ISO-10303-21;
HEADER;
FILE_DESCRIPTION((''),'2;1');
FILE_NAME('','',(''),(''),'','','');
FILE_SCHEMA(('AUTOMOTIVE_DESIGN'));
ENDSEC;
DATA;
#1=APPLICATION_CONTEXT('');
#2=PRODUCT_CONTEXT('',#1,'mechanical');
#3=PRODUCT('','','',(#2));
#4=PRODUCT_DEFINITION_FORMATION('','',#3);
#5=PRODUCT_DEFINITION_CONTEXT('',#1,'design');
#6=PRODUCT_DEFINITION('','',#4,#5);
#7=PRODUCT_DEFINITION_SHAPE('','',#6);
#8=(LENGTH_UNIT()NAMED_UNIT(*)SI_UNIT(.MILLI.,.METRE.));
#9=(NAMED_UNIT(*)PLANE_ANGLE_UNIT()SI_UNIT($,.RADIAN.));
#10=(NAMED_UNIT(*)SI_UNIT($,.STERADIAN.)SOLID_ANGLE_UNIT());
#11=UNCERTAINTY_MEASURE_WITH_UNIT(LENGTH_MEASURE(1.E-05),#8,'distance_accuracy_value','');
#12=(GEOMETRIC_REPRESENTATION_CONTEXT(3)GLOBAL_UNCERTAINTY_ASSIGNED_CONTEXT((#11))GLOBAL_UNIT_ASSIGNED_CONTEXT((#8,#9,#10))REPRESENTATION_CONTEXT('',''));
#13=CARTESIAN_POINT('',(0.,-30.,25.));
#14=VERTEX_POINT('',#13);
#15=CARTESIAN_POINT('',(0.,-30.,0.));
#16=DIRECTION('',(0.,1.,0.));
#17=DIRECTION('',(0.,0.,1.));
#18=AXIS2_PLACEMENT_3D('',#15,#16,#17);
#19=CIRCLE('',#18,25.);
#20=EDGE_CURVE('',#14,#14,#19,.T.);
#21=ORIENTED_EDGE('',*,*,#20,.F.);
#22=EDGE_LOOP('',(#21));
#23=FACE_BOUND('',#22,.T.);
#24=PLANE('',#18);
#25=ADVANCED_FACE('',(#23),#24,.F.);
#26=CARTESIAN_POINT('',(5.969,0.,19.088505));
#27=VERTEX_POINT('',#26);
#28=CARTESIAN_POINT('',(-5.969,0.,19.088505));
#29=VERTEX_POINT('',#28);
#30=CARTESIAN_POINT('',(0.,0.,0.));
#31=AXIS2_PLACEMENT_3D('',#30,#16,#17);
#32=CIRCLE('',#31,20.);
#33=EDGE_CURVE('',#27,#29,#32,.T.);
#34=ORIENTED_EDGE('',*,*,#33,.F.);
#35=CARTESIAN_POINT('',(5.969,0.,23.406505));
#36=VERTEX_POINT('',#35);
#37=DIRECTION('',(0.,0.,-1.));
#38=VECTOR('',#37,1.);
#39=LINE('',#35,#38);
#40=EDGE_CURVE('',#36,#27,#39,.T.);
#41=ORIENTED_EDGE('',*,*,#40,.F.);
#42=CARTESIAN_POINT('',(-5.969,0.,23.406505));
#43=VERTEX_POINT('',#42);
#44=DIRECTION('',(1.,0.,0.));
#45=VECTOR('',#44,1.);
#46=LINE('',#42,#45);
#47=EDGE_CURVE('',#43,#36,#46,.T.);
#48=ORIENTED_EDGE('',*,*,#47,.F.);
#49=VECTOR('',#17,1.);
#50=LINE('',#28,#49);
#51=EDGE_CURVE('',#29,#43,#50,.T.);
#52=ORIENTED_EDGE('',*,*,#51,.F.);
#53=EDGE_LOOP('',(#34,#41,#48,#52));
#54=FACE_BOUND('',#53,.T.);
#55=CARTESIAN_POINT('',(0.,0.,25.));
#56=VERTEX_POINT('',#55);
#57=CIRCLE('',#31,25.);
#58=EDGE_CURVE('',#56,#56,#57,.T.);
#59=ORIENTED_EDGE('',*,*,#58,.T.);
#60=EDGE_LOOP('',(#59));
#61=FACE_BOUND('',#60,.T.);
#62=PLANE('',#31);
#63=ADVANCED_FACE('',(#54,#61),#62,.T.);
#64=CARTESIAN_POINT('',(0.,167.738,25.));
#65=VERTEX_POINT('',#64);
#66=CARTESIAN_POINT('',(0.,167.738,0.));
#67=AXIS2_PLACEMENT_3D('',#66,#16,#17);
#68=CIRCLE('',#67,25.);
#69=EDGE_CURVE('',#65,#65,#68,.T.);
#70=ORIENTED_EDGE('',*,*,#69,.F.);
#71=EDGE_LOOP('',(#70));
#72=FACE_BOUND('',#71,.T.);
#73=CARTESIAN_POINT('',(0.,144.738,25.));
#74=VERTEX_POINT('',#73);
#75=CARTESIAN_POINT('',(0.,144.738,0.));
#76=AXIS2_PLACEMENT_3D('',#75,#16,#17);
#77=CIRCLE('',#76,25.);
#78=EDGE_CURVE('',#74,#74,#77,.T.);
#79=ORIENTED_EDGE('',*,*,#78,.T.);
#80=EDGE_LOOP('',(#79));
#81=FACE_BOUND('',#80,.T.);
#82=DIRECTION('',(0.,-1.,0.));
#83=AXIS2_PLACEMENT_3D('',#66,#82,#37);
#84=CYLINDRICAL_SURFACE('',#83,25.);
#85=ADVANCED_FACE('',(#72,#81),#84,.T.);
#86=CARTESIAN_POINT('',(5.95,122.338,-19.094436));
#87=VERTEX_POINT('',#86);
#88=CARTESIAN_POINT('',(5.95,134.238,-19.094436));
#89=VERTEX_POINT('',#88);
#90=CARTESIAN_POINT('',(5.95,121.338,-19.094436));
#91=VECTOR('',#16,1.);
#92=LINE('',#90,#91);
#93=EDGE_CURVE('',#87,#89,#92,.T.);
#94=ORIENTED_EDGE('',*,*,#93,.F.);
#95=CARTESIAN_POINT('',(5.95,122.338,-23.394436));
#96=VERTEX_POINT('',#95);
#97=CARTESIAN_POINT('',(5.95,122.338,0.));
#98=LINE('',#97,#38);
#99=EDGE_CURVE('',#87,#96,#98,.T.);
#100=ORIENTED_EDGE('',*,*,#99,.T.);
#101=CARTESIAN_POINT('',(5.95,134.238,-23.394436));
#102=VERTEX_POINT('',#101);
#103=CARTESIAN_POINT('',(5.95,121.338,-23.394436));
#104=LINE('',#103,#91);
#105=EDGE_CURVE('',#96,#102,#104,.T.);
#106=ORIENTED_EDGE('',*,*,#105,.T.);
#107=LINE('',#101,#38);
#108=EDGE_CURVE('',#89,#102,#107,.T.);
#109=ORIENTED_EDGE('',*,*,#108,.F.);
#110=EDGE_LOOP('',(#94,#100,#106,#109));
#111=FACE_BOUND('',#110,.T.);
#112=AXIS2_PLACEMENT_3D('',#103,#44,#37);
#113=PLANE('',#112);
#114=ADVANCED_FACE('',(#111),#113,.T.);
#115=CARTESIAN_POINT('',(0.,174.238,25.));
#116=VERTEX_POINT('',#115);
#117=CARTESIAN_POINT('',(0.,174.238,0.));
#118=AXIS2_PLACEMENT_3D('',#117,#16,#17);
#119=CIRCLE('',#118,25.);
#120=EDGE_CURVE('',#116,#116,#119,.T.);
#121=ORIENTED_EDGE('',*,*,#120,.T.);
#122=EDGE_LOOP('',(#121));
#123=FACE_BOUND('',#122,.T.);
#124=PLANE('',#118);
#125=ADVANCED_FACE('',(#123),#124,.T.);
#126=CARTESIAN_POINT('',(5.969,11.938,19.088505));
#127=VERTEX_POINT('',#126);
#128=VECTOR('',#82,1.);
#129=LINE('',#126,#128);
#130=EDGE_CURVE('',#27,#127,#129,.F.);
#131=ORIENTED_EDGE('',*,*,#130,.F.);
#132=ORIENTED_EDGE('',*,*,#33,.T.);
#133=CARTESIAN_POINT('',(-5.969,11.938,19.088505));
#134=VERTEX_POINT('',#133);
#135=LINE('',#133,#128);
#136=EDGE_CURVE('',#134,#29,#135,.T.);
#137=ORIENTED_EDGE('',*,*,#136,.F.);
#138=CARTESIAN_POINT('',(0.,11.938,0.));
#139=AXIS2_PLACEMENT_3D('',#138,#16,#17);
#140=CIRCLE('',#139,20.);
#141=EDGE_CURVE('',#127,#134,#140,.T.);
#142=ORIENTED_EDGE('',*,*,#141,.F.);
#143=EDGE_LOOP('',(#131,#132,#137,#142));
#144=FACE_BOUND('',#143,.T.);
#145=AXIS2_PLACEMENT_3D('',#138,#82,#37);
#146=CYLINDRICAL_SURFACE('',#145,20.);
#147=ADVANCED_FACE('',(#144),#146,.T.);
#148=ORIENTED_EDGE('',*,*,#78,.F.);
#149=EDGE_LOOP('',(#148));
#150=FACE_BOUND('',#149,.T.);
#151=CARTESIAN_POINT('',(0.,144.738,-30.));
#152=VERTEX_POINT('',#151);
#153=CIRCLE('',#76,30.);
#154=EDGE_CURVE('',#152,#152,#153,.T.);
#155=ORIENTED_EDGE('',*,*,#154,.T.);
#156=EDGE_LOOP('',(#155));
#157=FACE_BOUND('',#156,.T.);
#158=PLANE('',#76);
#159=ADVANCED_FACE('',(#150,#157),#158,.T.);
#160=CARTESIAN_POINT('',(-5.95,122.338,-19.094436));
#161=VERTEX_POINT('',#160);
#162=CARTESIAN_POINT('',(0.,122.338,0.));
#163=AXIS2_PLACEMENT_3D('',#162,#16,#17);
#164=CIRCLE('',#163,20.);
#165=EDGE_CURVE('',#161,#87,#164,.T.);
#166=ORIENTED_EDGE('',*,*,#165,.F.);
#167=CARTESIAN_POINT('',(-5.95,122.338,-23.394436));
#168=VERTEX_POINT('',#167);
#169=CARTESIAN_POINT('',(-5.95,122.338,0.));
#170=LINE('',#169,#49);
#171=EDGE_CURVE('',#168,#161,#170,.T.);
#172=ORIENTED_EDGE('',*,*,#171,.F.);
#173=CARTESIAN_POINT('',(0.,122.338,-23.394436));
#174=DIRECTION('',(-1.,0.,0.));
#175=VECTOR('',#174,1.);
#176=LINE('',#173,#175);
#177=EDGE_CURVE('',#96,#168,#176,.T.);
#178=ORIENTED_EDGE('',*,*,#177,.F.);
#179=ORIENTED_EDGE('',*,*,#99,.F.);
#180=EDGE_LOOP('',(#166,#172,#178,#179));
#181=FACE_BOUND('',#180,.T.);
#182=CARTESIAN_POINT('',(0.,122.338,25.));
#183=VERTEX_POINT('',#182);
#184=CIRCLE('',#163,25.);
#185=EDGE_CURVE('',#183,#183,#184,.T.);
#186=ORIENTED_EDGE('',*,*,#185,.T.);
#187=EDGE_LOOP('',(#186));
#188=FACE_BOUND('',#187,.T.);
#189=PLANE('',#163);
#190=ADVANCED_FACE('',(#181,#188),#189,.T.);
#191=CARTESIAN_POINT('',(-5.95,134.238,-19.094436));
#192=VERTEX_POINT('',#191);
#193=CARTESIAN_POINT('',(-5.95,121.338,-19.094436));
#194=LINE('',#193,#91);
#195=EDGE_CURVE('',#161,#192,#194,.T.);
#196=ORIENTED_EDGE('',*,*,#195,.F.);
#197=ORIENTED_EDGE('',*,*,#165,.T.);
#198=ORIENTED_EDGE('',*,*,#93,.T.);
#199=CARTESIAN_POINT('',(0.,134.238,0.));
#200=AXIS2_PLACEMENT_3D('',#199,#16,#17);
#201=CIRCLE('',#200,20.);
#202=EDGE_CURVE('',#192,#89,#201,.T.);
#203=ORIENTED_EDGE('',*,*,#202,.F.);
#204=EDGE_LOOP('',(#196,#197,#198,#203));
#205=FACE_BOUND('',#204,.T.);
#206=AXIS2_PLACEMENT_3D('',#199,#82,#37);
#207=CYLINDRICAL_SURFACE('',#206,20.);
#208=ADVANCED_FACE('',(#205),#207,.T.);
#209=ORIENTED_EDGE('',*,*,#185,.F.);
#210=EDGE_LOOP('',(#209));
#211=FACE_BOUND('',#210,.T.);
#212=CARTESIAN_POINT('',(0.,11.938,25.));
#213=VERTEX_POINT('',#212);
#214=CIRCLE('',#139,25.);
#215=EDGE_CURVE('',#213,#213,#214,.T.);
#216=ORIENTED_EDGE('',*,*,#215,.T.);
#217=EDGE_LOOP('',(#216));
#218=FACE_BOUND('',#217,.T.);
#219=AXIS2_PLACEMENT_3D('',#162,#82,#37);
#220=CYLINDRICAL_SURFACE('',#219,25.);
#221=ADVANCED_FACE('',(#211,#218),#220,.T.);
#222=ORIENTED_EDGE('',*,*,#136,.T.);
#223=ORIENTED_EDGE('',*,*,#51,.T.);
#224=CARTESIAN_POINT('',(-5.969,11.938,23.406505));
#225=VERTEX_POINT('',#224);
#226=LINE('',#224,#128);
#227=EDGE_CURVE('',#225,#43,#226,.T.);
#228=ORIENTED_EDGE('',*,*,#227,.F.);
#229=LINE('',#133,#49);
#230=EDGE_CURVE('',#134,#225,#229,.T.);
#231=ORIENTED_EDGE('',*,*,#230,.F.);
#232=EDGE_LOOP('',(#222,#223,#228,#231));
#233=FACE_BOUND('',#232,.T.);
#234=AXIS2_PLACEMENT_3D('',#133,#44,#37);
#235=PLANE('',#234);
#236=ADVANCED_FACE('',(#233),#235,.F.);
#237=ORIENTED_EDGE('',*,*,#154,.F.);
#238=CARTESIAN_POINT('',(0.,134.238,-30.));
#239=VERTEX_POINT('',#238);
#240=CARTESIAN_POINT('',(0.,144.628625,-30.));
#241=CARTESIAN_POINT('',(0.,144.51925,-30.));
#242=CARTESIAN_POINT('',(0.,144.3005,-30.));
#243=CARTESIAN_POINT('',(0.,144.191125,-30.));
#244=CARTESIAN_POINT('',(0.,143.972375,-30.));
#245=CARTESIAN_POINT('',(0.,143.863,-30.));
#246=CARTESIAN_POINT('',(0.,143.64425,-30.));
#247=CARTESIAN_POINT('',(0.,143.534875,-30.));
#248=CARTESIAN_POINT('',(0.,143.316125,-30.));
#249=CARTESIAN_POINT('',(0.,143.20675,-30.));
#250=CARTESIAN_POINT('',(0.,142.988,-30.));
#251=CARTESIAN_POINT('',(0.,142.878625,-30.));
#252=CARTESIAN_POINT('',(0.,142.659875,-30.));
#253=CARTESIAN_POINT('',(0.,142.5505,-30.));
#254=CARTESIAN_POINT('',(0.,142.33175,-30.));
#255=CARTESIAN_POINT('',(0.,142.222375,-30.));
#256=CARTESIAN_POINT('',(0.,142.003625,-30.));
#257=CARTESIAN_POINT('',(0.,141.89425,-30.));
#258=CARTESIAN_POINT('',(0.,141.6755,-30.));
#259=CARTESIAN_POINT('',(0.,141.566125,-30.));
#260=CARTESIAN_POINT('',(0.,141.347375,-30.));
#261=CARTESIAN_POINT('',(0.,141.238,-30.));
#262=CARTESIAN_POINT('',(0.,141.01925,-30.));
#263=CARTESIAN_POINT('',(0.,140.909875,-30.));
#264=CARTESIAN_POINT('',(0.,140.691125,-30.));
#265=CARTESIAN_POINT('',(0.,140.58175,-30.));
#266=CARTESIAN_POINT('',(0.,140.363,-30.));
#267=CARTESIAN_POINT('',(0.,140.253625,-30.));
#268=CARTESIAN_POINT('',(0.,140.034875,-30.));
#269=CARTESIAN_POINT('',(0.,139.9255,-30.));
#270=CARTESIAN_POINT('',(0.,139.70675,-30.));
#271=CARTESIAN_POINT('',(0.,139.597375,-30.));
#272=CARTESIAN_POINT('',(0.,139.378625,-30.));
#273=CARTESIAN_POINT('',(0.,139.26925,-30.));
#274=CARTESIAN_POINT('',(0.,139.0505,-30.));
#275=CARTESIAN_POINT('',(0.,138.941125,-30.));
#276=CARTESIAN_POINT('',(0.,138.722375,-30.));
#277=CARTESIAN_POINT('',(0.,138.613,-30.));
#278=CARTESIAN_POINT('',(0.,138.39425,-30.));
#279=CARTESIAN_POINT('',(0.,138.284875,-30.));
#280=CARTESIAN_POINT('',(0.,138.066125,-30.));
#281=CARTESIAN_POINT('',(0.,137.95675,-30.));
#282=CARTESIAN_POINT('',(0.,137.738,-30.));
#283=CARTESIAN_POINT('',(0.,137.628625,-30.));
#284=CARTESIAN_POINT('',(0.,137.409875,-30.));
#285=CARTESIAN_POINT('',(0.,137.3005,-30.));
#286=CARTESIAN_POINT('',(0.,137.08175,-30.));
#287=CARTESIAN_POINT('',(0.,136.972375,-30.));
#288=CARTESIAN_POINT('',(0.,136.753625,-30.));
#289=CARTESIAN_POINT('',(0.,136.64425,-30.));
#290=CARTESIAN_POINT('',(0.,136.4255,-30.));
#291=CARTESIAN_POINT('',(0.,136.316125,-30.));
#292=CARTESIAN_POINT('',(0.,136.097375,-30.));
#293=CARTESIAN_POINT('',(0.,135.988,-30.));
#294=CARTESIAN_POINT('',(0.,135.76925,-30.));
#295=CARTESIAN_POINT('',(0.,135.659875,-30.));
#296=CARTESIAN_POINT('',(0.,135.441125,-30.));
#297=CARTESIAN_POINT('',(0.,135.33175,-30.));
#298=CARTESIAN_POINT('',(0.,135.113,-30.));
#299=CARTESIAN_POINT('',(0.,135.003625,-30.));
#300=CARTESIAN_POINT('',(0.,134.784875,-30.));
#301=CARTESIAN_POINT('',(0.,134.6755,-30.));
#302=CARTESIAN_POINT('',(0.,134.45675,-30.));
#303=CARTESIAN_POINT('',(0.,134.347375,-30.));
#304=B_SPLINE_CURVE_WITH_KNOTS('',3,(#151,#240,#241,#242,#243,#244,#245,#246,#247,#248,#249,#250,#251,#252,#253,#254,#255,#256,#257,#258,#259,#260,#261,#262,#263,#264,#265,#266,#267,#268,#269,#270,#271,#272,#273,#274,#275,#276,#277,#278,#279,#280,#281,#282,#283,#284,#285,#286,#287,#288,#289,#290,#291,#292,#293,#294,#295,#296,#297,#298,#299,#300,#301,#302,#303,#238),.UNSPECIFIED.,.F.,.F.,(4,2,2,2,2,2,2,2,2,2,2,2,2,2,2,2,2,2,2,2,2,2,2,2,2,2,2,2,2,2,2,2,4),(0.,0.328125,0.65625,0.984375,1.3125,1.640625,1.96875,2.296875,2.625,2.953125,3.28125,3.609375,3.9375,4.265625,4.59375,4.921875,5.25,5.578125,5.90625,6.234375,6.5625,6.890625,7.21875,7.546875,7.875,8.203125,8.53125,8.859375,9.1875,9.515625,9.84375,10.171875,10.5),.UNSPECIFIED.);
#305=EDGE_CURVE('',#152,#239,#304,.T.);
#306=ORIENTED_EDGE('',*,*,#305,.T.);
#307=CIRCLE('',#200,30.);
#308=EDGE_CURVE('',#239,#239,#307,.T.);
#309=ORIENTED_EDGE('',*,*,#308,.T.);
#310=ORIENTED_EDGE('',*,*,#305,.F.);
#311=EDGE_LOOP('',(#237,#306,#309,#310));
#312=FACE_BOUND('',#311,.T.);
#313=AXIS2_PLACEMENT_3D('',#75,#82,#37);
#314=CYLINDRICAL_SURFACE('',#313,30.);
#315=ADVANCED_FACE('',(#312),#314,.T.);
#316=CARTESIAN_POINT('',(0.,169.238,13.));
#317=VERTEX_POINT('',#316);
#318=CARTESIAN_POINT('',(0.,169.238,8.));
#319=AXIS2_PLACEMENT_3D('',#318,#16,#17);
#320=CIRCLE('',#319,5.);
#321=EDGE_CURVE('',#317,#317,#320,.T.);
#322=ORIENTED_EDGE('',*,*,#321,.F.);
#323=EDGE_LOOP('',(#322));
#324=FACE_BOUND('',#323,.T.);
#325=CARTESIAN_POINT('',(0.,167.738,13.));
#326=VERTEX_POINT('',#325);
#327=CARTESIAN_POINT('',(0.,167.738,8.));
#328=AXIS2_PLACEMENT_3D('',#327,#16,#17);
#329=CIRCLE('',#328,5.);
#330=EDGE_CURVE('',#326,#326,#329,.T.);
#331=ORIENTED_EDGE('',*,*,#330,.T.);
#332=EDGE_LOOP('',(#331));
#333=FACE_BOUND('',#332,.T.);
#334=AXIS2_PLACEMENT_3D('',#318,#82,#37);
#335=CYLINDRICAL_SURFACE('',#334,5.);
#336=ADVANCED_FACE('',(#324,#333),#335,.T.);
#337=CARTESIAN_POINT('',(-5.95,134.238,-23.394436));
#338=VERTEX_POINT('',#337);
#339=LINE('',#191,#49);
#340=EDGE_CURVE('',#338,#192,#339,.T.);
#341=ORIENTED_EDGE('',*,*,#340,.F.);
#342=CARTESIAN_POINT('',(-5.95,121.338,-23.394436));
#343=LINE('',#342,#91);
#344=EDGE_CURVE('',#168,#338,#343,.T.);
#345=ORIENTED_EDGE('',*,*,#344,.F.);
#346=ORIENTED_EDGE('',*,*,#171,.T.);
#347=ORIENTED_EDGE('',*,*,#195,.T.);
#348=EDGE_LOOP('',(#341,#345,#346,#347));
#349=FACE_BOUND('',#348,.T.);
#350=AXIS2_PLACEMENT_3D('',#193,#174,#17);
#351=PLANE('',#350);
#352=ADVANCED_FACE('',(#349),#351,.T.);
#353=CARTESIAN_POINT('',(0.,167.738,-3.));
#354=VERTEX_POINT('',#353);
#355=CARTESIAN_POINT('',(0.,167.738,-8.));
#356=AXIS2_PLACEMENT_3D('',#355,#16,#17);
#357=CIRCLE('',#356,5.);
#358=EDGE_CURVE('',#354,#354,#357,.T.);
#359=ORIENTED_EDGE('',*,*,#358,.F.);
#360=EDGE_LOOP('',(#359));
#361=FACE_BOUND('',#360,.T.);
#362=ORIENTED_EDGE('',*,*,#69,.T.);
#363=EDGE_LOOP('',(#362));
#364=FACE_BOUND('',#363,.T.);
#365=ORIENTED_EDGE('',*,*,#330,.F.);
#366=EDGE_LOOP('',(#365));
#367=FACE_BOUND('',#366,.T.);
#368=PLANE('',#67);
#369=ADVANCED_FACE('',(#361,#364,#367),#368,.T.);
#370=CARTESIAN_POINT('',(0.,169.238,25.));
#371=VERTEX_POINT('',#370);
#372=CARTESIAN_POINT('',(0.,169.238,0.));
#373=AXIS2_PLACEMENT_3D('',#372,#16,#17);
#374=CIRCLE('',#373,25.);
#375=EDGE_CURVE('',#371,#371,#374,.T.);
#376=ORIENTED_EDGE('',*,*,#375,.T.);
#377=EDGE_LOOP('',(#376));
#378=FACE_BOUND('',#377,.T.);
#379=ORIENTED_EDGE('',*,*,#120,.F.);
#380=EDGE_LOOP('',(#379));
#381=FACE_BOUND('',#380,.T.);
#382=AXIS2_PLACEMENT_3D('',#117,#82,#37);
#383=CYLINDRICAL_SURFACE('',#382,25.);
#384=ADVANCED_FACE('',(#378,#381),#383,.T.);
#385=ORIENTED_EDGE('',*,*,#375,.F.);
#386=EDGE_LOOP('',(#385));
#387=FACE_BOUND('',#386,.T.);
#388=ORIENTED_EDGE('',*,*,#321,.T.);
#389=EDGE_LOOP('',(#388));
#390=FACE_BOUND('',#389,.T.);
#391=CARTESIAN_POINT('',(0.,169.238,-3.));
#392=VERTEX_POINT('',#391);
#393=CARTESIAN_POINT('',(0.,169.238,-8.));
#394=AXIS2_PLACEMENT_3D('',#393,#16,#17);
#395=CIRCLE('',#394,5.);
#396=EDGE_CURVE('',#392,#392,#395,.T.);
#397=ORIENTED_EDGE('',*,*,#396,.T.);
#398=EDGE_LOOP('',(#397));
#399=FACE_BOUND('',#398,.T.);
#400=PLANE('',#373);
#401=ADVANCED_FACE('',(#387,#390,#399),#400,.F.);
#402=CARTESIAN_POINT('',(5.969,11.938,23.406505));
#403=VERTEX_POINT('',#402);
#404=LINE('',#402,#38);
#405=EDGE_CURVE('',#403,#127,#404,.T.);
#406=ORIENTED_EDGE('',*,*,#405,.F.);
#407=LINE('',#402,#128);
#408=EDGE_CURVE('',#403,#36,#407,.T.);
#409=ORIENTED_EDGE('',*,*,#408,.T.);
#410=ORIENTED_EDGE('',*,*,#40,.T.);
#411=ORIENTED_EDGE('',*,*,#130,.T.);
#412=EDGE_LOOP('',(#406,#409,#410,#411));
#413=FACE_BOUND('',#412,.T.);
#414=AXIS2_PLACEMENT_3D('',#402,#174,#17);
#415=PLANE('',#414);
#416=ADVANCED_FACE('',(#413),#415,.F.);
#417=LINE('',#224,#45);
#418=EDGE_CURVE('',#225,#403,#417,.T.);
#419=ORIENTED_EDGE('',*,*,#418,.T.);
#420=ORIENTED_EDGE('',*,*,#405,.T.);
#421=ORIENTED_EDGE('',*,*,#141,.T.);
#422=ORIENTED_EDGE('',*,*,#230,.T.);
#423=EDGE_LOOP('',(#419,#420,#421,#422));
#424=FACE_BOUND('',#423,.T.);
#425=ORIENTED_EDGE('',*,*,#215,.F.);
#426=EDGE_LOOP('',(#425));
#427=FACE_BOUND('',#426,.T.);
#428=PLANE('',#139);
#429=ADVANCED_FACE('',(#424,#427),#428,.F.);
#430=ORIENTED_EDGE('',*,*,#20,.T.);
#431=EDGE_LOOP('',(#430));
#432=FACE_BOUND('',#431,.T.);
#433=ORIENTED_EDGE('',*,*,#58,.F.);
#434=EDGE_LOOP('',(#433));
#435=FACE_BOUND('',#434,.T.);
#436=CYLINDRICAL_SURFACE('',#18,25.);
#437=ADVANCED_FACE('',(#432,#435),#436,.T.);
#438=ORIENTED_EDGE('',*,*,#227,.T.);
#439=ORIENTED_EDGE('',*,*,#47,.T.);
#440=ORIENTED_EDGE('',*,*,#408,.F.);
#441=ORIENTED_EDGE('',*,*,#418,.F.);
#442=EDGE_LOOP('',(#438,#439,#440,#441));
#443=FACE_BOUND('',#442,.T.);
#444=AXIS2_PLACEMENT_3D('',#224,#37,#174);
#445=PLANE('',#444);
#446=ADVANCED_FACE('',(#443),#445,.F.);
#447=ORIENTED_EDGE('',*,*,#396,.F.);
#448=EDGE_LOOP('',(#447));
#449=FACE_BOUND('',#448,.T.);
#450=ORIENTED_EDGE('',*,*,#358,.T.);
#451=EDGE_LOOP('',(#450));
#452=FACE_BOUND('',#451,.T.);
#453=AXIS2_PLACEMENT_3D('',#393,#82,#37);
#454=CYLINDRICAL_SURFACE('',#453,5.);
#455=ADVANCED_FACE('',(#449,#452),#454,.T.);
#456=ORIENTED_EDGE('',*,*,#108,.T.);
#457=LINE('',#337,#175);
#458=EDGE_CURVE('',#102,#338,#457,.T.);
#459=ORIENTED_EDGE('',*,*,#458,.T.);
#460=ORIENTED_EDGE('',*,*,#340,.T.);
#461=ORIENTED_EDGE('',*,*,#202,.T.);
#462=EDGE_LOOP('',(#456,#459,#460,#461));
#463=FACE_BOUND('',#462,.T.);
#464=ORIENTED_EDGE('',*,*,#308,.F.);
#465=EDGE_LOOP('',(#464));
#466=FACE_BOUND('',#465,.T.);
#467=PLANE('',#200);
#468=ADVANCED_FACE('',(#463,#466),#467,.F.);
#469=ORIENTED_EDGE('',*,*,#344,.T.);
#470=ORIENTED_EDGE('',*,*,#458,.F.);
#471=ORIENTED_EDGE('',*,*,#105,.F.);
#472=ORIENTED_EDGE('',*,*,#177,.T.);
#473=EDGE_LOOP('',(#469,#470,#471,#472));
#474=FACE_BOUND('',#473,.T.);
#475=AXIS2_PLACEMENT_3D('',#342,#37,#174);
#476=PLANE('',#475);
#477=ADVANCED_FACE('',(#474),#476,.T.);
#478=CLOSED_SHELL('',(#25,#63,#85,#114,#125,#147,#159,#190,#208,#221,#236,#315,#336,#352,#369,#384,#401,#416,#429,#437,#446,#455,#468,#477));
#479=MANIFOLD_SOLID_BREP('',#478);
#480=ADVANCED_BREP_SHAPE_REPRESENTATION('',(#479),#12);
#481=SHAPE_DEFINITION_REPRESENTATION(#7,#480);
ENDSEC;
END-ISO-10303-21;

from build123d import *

# Parameters (mm, degrees)
SKETCH1_R            = 20
BOSS_EXTRUDE4_DEPTH  = 11.938
SKETCH2_R            = 25
BOSS_EXTRUDE8_DEPTH  = 30
BOSS_EXTRUDE9_START  = 110.4
SKETCH7_R            = 25
BOSS_EXTRUDE9_DEPTH  = 110.4
SKETCH8_R            = 20
BOSS_EXTRUDE11_DEPTH = 11.9
BOSS_EXTRUDE12_START = -12.9
BOSS_EXTRUDE12_DEPTH = 12.9
SKETCH12_R           = 30
BOSS_EXTRUDE14_DEPTH = 10.5
BOSS_EXTRUDE15_START = 23
SKETCH14_R           = 25
BOSS_EXTRUDE15_DEPTH = 23
SKETCH15_R           = 5
BOSS_EXTRUDE17_DEPTH = 1.5
BOSS_EXTRUDE21_START = 5
SKETCH17_R           = 25
BOSS_EXTRUDE21_DEPTH = 5


with BuildPart() as part:
    # Sketch1 → Boss-Extrude4 (new body)
    with BuildSketch(Plane(origin=(0, 0, 0), x_dir=(1, 0, 0), z_dir=(0, 1, 0))):
        Circle(SKETCH1_R)
        with BuildLine():
            Line((-5.969, -19.088505416), (-5.969, -23.406505416))
            Line((-5.969, -23.406505416), (5.969, -23.406505416))
            Line((5.969, -23.406505416), (5.969, -19.088505416))
            ThreePointArc((5.969, -19.088505416), (0, -20), (-5.969, -19.088505416))
        make_face()
    extrude(amount=BOSS_EXTRUDE4_DEPTH)

    # Sketch2 → Boss-Extrude8 (add)
    with BuildSketch(Plane(origin=(0, 0, 0), x_dir=(1, 0, 0), z_dir=(0, 1, 0))):
        with Locations(Location((0, 0, 0), (0, 0, 270))):
            Circle(SKETCH2_R)
    extrude(amount=-BOSS_EXTRUDE8_DEPTH)

    # Sketch7 → Boss-Extrude9 (add)
    with BuildSketch(Plane(origin=(0, 11.938, 0), x_dir=(1, 0, 0), z_dir=(0, 1, 0)).offset(BOSS_EXTRUDE9_START)):
        with Locations(Location((0, 0, 0), (0, 0, 270))):
            Circle(SKETCH7_R)
    extrude(amount=-BOSS_EXTRUDE9_DEPTH)

    # Sketch8 → Boss-Extrude11 (add)
    with BuildSketch(Plane(origin=(0, 122.338, 0), x_dir=(1, 0, 0), z_dir=(0, 1, 0))):
        with Locations(Location((0, 0, 0), (0, 0, 90))):
            Circle(SKETCH8_R)
    extrude(amount=BOSS_EXTRUDE11_DEPTH)

    # Sketch9 → Boss-Extrude12 (add)
    with BuildSketch(Plane(origin=(0, 134.238, 0), x_dir=(1, 0, 0), z_dir=(0, 1, 0)).offset(BOSS_EXTRUDE12_START)):
        with BuildLine():
            Line((-5.95, 19.094436362), (-5.95, 23.394436362))
            Line((-5.95, 23.394436362), (5.95, 23.394436362))
            Line((5.95, 23.394436362), (5.95, 19.094436362))
            ThreePointArc((5.95, 19.094436362), (0, 20), (-5.95, 19.094436362))
        make_face()
    extrude(amount=BOSS_EXTRUDE12_DEPTH)

    # Sketch12 → Boss-Extrude14 (add)
    with BuildSketch(Plane(origin=(0, 134.238, 0), x_dir=(1, 0, 0), z_dir=(0, 1, 0))):
        with Locations(Location((0, 0, 0), (0, 0, 90))):
            Circle(SKETCH12_R)
    extrude(amount=BOSS_EXTRUDE14_DEPTH)

    # Sketch14 → Boss-Extrude15 (add)
    with BuildSketch(Plane(origin=(0, 144.738, 0), x_dir=(1, 0, 0), z_dir=(0, 1, 0)).offset(BOSS_EXTRUDE15_START)):
        with Locations(Location((0, 0, 0), (0, 0, 270))):
            Circle(SKETCH14_R)
    extrude(amount=-BOSS_EXTRUDE15_DEPTH)

    # Sketch15 → Boss-Extrude17 (add)
    with BuildSketch(Plane(origin=(0, 167.738, 0), x_dir=(1, 0, 0), z_dir=(0, 1, 0))):
        with Locations(Location((0, 8, 0), (0, 0, 270))):
            Circle(SKETCH15_R)
        with Locations(Location((0, -8, 0), (0, 0, 270))):
            Circle(SKETCH15_R)
    extrude(amount=BOSS_EXTRUDE17_DEPTH)

    # Sketch17 → Boss-Extrude21 (add)
    with BuildSketch(Plane(origin=(0, 169.238, 0), x_dir=(1, 0, 0), z_dir=(0, 1, 0)).offset(BOSS_EXTRUDE21_START)):
        with Locations(Location((0, 0, 0), (0, 0, 270))):
            Circle(SKETCH17_R)
    extrude(amount=-BOSS_EXTRUDE21_DEPTH)


solid = part.part
